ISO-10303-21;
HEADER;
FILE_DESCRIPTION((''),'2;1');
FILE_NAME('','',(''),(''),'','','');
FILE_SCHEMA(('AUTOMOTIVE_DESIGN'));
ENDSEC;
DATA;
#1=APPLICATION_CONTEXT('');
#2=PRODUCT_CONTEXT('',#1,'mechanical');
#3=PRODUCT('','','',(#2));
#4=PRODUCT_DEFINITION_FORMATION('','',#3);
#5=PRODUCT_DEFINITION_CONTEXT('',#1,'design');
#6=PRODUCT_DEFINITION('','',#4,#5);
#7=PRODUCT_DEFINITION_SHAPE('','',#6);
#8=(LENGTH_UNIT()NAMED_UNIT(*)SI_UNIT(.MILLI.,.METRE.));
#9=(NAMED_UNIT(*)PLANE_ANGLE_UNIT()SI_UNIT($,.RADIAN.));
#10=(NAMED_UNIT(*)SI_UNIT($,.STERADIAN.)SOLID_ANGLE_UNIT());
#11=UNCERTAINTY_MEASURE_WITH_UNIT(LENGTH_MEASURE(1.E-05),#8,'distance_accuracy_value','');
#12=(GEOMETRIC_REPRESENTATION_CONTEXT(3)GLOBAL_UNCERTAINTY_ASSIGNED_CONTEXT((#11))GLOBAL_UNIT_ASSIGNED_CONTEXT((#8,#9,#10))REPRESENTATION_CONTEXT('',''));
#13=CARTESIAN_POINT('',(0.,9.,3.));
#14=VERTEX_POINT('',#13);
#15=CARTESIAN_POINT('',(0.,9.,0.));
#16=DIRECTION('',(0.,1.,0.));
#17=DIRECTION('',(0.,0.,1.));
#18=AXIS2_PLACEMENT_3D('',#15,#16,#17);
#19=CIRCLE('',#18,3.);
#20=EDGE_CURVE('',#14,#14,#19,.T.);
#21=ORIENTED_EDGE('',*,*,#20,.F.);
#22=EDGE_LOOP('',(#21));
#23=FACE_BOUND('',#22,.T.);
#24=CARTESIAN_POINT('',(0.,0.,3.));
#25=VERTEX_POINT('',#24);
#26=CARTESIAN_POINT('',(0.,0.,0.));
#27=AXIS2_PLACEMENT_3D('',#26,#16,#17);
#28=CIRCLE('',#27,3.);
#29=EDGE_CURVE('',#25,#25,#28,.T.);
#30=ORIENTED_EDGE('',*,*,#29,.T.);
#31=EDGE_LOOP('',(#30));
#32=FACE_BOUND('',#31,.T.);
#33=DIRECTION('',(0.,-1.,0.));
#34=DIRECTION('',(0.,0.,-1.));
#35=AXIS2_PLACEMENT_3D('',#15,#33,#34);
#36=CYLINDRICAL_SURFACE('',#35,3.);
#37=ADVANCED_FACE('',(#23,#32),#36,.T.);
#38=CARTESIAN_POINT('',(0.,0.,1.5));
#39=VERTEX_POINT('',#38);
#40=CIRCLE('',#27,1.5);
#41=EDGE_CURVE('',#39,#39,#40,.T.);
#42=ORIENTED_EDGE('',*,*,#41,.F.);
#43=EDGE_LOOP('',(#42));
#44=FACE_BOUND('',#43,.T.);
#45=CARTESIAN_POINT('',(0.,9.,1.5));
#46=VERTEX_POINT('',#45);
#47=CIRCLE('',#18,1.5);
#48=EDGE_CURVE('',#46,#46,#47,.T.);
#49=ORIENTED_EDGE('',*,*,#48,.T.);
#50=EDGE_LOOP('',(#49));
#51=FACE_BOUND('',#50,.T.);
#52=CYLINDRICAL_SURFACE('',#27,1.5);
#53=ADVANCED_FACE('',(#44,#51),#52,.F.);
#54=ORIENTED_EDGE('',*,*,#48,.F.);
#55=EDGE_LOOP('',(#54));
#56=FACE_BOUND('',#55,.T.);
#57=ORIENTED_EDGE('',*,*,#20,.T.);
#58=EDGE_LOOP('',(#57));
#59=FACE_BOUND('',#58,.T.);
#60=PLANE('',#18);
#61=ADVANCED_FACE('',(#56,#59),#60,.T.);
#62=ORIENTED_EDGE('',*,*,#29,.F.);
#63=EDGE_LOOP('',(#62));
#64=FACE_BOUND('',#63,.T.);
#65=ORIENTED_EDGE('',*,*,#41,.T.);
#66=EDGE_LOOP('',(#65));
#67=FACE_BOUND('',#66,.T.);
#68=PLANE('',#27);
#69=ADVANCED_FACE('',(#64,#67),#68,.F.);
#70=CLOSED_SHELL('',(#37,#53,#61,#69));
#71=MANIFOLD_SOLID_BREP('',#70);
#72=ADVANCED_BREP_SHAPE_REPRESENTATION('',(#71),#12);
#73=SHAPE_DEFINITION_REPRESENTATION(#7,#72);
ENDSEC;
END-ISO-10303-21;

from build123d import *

# Parameters (mm, degrees)
CROQUIS1_R              = 3
SALIENTE_EXTRUIR1_DEPTH = 9
CROQUIS2_R              = 1.5
CORTAR_EXTRUIR1_DEPTH   = 9


with BuildPart() as part:
    # Croquis1 → Saliente-Extruir1 (new body)
    with BuildSketch(Plane(origin=(0, 0, 0), x_dir=(1, 0, 0), z_dir=(0, 1, 0))):
        Circle(CROQUIS1_R)
    extrude(amount=SALIENTE_EXTRUIR1_DEPTH)

    # Croquis2 → Cortar-Extruir1 (cut)
    with BuildSketch(Plane(origin=(0, 9, 0), x_dir=(1, 0, 0), z_dir=(0, 1, 0))):
        Circle(CROQUIS2_R)
    extrude(amount=-CORTAR_EXTRUIR1_DEPTH, mode=Mode.SUBTRACT)


solid = part.part
